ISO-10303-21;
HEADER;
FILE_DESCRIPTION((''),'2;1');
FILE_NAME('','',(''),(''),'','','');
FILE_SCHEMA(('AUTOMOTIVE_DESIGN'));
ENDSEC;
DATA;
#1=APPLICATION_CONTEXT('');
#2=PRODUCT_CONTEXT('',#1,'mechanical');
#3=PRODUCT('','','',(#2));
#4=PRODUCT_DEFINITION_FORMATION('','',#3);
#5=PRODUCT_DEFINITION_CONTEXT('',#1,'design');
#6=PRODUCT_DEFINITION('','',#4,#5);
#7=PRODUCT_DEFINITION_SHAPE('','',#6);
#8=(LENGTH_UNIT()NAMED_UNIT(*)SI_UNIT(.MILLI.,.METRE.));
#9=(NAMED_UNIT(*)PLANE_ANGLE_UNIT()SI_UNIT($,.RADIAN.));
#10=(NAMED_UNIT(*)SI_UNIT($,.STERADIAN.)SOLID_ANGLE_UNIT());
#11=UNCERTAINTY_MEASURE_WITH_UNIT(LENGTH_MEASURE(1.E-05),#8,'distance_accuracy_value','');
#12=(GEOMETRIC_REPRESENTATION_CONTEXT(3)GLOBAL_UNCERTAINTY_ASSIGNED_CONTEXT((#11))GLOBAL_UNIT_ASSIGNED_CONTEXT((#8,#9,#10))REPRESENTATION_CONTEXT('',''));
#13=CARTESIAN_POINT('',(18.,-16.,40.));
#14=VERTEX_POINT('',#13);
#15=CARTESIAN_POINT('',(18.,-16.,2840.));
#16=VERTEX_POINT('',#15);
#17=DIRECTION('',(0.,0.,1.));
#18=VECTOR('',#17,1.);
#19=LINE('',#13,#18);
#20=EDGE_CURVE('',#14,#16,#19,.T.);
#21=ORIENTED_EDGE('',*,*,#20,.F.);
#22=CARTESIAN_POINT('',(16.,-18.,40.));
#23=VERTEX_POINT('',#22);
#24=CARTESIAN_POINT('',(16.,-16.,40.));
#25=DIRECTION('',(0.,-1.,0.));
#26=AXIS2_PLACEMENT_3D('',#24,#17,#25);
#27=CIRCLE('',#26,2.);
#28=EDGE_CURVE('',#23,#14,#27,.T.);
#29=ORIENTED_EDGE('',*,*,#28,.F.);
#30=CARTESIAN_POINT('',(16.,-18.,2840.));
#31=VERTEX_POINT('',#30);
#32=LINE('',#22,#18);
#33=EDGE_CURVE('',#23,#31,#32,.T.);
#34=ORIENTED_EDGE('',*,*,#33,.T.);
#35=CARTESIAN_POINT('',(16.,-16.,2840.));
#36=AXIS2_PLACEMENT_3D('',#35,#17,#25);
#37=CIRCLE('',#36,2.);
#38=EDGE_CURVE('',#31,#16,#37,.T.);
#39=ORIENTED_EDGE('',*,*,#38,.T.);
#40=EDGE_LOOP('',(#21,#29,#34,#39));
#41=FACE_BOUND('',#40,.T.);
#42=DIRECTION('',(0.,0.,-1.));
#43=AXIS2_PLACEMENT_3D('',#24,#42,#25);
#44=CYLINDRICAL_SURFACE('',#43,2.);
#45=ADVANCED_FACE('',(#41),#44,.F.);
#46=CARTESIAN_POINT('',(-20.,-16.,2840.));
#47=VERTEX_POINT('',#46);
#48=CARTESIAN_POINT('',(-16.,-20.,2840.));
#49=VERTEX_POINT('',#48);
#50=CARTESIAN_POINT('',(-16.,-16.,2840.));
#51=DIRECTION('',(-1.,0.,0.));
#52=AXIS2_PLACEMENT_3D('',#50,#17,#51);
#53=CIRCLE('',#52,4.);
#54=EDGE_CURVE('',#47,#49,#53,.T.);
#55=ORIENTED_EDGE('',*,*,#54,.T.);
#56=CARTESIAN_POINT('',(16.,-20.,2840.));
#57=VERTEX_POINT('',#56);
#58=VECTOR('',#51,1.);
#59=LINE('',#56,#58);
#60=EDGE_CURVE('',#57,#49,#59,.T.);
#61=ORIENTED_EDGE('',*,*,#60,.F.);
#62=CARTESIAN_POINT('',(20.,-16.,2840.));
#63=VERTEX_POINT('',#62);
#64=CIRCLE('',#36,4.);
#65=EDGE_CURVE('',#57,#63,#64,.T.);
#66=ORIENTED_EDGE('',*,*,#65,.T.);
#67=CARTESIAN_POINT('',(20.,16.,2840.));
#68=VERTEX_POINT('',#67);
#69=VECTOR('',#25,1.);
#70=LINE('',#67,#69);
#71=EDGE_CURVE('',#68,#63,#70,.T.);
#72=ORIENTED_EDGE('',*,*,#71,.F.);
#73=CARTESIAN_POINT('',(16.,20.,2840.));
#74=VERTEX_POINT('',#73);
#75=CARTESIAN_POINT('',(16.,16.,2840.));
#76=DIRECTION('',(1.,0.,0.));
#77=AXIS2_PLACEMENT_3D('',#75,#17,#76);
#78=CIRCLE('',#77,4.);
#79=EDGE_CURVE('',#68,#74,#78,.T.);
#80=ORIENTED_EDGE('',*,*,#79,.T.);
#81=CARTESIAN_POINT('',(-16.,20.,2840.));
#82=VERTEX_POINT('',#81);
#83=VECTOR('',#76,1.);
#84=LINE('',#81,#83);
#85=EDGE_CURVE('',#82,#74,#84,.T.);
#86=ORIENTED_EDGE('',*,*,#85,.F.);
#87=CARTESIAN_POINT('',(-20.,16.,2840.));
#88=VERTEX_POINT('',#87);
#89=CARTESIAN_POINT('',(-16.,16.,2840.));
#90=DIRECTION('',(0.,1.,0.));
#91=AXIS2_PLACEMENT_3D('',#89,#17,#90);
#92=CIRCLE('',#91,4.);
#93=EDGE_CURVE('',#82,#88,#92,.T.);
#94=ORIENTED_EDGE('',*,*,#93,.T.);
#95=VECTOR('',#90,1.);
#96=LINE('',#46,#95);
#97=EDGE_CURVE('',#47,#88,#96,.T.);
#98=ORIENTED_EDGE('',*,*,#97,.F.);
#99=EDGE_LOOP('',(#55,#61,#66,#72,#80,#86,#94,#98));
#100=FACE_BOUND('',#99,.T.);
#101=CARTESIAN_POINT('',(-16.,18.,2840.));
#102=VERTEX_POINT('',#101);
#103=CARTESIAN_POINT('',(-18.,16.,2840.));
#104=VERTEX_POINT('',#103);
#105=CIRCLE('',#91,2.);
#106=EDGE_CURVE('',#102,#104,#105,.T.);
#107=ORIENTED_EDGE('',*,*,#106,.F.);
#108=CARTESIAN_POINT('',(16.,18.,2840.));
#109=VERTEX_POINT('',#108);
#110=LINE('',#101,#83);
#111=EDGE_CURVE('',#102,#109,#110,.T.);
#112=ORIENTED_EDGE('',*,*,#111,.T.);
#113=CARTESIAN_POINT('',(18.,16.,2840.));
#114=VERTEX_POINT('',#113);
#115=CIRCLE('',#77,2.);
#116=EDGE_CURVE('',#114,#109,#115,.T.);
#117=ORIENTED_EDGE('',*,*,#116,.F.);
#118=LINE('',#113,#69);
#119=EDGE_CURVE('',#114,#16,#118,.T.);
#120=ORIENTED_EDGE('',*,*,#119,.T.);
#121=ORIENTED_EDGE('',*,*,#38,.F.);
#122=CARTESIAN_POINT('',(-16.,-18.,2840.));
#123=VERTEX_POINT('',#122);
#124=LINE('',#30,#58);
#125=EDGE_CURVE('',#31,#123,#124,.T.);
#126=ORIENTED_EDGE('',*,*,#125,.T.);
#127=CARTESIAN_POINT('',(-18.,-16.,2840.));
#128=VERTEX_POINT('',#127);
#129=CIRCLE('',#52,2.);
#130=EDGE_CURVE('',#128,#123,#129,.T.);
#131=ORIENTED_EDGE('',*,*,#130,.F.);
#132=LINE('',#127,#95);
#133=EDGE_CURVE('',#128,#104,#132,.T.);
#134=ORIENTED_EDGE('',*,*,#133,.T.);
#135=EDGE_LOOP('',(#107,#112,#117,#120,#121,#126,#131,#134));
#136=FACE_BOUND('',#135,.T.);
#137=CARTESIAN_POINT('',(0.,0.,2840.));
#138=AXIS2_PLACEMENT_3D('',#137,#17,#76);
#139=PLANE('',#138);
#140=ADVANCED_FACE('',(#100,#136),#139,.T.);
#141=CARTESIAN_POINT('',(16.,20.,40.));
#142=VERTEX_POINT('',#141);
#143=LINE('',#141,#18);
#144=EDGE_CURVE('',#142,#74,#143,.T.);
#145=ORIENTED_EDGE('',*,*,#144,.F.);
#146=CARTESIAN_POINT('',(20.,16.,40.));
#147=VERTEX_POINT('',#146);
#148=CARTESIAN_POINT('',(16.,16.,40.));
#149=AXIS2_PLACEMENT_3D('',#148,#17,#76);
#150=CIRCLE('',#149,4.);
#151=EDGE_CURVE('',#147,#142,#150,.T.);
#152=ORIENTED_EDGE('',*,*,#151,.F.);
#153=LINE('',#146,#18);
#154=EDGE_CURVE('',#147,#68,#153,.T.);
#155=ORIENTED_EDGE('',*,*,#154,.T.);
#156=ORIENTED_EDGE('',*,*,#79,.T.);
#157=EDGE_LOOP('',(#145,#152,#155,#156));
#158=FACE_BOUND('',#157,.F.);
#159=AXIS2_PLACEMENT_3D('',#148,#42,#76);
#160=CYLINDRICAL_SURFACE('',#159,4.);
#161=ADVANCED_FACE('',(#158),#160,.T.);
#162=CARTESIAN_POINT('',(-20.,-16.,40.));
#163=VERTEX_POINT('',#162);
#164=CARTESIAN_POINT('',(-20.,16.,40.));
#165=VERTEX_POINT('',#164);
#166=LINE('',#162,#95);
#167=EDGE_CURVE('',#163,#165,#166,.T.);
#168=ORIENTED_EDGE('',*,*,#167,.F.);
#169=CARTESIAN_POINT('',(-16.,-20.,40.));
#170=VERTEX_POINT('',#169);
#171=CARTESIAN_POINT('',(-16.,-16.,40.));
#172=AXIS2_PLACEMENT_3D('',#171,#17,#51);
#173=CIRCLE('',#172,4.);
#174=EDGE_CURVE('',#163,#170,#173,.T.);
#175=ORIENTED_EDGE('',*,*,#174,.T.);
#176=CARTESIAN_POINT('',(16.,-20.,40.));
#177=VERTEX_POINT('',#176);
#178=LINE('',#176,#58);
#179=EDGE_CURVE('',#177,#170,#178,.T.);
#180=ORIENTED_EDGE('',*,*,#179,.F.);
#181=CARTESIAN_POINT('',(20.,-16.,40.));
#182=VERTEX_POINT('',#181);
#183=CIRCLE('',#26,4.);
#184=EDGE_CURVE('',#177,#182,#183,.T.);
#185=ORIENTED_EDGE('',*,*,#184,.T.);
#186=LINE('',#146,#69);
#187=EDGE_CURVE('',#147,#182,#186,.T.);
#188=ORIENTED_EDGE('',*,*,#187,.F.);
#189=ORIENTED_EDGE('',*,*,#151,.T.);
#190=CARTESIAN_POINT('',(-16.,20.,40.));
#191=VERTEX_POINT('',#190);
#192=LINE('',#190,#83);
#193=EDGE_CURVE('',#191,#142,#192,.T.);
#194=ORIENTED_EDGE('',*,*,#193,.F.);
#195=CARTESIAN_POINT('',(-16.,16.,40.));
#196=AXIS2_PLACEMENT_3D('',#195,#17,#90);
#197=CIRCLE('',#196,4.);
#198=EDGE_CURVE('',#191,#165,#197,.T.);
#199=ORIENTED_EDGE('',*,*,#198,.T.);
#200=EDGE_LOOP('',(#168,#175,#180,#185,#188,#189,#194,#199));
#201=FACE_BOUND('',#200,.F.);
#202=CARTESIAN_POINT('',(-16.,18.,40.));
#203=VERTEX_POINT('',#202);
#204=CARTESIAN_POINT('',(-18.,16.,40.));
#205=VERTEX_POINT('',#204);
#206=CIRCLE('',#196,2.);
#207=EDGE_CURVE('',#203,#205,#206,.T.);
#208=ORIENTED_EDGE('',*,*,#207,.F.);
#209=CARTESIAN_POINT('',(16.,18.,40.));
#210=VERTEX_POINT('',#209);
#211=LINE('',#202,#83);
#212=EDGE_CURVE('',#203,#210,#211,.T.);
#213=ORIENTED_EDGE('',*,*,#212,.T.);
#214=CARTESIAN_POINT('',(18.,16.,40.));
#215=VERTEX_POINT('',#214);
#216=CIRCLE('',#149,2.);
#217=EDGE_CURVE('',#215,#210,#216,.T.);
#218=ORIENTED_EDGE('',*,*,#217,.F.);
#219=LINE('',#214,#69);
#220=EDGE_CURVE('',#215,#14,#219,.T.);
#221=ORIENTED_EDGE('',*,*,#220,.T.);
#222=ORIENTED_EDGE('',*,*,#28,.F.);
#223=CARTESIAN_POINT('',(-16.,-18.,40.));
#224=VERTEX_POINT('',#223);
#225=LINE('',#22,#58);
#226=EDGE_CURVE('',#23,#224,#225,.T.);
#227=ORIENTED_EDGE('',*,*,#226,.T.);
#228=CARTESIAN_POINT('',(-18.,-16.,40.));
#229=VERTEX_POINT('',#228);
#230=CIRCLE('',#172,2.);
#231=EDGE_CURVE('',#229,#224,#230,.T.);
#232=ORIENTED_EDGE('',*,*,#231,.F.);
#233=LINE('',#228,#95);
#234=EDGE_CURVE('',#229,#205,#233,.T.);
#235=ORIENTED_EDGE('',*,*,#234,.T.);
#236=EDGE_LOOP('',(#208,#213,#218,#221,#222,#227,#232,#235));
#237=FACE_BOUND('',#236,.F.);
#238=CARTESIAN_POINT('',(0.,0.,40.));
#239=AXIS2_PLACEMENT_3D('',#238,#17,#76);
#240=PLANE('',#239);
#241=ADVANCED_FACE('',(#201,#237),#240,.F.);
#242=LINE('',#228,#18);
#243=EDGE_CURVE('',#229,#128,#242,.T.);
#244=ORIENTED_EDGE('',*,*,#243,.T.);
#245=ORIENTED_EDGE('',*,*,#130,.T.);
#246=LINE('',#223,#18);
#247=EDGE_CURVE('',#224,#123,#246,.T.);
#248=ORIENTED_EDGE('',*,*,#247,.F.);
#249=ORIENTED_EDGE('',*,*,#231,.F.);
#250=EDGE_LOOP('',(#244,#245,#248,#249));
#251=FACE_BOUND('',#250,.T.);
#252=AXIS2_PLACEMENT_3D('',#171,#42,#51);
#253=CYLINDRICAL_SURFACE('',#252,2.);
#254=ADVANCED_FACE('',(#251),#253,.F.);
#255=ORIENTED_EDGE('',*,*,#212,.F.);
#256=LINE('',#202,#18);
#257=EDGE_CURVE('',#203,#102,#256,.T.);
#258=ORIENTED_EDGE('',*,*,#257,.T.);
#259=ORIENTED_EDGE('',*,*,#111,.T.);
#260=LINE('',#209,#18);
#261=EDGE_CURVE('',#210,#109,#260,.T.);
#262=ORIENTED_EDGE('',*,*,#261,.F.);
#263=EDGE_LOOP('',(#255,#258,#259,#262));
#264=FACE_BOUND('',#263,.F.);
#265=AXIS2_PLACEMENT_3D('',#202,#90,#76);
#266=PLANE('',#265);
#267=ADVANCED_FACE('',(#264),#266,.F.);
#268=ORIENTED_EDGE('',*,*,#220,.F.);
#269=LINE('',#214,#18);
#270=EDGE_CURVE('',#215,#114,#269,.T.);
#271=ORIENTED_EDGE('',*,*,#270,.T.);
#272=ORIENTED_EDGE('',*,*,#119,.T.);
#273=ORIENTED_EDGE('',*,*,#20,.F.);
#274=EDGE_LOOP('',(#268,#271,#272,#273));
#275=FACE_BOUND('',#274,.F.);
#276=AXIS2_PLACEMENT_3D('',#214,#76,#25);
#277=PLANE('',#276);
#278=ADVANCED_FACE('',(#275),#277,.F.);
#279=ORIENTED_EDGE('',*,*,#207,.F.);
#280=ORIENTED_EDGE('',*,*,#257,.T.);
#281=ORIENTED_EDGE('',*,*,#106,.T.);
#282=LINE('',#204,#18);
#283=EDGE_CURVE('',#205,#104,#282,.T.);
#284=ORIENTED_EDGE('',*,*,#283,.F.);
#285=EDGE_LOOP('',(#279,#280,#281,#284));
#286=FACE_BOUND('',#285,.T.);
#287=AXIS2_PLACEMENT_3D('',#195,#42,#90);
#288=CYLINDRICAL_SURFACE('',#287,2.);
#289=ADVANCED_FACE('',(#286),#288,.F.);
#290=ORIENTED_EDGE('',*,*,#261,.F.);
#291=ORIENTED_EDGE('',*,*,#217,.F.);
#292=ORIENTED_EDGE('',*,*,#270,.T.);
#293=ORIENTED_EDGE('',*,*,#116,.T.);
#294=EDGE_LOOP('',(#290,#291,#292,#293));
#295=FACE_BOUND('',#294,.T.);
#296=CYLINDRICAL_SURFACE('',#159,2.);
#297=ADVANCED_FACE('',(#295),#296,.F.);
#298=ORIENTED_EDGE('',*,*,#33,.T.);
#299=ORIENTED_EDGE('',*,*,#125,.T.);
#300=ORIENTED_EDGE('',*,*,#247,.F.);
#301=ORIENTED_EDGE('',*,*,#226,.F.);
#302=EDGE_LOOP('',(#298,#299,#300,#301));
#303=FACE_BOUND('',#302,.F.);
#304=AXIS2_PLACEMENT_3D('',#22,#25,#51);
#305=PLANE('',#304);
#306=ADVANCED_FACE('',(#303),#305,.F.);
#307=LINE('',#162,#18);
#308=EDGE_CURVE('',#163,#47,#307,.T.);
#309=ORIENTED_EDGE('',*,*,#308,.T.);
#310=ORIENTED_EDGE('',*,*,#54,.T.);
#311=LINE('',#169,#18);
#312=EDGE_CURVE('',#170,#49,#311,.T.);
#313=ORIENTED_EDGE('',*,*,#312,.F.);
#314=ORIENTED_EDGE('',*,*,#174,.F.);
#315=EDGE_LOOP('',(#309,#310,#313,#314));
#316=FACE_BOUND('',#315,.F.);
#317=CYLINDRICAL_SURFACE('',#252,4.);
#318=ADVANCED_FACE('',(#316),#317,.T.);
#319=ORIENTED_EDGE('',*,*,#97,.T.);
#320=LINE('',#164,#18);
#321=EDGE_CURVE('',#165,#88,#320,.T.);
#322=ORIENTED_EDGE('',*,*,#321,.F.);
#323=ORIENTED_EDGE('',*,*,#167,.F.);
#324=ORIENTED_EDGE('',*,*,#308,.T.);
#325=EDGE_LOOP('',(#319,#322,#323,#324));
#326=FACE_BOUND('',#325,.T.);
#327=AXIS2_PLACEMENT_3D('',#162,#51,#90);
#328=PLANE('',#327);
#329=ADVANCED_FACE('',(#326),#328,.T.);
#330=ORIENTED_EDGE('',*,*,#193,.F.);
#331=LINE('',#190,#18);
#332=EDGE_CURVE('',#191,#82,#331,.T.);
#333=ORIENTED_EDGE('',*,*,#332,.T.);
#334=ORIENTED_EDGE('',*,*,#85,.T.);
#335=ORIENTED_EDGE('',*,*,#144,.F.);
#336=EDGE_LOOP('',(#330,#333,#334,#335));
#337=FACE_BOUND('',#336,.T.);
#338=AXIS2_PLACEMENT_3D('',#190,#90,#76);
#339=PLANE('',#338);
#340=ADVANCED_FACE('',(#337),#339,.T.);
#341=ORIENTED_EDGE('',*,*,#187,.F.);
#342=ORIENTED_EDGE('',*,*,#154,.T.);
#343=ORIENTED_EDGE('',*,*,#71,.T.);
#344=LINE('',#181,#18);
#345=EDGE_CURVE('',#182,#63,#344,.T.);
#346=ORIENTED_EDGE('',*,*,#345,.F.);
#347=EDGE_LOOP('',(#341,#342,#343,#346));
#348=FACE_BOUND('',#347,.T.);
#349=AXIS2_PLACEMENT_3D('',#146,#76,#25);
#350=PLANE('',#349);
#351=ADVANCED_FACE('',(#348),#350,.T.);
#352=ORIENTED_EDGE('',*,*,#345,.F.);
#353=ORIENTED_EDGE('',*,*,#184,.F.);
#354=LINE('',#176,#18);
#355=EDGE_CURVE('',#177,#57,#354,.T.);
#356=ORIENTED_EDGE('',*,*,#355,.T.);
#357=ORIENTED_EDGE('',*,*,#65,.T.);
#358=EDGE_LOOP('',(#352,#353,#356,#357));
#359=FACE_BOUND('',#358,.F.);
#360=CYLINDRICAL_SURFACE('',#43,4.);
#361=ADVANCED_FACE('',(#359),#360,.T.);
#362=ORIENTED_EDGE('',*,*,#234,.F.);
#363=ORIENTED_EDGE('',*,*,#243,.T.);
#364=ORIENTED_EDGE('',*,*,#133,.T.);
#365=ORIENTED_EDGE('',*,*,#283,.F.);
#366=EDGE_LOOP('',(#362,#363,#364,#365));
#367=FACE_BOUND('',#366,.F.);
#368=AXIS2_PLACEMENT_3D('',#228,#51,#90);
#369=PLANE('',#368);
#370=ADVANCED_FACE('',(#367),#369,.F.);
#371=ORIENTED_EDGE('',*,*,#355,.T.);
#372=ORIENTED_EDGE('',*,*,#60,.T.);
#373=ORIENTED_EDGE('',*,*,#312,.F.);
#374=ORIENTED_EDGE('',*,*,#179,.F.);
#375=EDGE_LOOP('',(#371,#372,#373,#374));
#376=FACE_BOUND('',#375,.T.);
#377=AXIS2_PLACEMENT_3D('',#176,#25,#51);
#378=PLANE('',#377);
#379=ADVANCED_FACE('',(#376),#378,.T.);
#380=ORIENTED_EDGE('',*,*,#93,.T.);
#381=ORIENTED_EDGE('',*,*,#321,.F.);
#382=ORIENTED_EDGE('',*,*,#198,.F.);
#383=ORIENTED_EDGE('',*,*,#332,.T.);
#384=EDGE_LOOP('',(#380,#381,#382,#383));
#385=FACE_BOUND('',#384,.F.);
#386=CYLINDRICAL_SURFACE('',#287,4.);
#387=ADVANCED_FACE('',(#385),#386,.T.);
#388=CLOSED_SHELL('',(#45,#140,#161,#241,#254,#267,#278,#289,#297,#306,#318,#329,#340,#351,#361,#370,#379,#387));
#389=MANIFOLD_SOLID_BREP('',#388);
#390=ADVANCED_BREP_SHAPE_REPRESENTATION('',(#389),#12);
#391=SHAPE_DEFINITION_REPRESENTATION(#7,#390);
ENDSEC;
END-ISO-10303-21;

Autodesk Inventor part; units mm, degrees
ref_plane "YZ Plane" through (0, 0, 0) normal (1, 0, 0) x (0, 1, 0)
ref_plane "Start plane" through (0, 0, 40) normal (0, 0, 1) x (1, 0, 0)
ref_plane "End plane" through (0, 0, 2840) normal (0, 0, 1) x (1, 0, 0)
sketch "Sketch" plane through (0, 0, 0) normal (0, 0, 1) x (1, 0, 0)
  line L0 (-20, -16) -> (-20, 16)
  line L1 (-16, 20) -> (16, 20)
  line L2 (20, 16) -> (20, -16)
  line L3 (16, -20) -> (-16, -20)
  arc A0 (-20, -16) -> (-16, -20) centre (-16, -16) ccw
  arc A1 (20, 16) -> (16, 20) centre (16, 16) ccw
  arc A2 (-16, 20) -> (-20, 16) centre (-16, 16) ccw
  arc A3 (16, -20) -> (20, -16) centre (16, -16) ccw
  arc A4 (-16, 18) -> (-18, 16) centre (-16, 16) ccw
  line L4 (-16, 18) -> (16, 18)
  arc A5 (18, 16) -> (16, 18) centre (16, 16) ccw
  line L5 (18, 16) -> (18, -16)
  arc A6 (16, -18) -> (18, -16) centre (16, -16) ccw
  line L6 (16, -18) -> (-16, -18)
  arc A7 (-18, -16) -> (-16, -18) centre (-16, -16) ccw
  line L7 (-18, -16) -> (-18, 16)
  line L8 (0, 29.1598) -> (0, -29.1598) construction
  line L9 (-29.1598, 0) -> (29.1598, 0) construction
  dimension "d7" = 4
  dimension "d9" = 40
  dimension "d11" = 40
  dimension "d12" = 2
  dimension "d15" = 20
  dimension "d16" = 20
extrude "Body" add sketch "Sketch" along normal up to surface (2800 mm away) from surface at 40
sketch "Sketch3" plane through (0, 0, 0) normal (0, 0, 1) x (1, 0, 0)
  line L0 (0, 0) -> (10, 0)
ref_plane "Work Plane3" through (0, 0, 0) normal (0, -1, 0) x (1, 0, 0)
sketch "Sketch4" plane through (0, 0, 0) normal (0, -1, 0) x (1, 0, 0)
  line L0 (-2, 40) -> (12, 40) projected
  line L1 (-2, 2840) -> (12, 2840) projected
  dimension "d18" = 2800
equation "\"d7\" = G_IR"
equation "\"d9\" = G_W"
equation "\"d11\" = G_H"
equation "\"d12\" = G_T"
equation "\"d15\" = 0.5 * d9"
equation "\"d16\" = 0.5 * d11"
equation "\"d3\" = G_L"
equation "\"G_W\" = 40"
equation "\"G_H\" = 40"
equation "\"G_T\" = 2"
equation "\"G_IR\" = 4"
equation "\"G_L\" = d18"
properties part number "ISO 10799-2 - 40x40x2 - 2800" material "Steel, Mild"
